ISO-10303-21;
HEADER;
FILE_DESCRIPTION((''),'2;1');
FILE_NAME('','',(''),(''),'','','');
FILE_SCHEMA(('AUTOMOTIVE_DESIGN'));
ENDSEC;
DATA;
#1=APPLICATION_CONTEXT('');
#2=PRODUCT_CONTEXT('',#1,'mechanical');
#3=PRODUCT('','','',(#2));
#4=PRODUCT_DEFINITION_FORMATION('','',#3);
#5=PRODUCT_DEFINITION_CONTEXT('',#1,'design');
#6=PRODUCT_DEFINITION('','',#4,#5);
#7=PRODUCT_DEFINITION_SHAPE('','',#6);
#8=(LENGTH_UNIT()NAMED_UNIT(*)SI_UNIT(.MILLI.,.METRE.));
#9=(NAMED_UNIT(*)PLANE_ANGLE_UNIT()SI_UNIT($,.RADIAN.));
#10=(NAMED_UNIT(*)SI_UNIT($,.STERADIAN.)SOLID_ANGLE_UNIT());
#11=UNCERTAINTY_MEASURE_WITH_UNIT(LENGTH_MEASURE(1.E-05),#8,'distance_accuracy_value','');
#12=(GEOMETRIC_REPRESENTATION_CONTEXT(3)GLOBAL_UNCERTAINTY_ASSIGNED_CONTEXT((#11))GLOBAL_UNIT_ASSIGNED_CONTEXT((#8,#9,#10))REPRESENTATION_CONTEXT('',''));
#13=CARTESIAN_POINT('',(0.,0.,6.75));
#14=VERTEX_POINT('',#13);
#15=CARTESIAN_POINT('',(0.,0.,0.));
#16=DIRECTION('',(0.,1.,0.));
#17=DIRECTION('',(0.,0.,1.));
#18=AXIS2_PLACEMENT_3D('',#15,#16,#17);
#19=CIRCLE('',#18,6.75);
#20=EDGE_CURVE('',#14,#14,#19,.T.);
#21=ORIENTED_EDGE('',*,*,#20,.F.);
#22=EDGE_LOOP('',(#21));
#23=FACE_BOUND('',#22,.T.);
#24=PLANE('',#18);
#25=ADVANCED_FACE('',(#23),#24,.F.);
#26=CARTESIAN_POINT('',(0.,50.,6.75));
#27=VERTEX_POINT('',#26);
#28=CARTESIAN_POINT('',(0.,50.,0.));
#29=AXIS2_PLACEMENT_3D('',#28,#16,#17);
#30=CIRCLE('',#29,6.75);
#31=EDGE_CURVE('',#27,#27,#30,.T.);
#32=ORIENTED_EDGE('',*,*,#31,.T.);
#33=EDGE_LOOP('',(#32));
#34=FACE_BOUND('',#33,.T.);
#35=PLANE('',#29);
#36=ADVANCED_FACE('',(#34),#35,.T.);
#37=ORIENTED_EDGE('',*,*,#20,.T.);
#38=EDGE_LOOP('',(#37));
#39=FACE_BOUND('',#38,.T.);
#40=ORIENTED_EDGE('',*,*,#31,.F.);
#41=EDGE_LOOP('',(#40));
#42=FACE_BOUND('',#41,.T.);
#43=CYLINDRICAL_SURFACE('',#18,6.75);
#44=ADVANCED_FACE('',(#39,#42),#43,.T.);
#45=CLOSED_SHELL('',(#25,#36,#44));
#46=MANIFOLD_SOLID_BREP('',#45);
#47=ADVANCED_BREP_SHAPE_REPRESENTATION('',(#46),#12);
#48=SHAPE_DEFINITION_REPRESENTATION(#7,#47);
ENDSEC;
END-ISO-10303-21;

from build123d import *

# Parameters (mm, degrees)
SKETCH2_R = 6.75


with BuildPart() as part:
    # Sweep1: sweep along a path in Sketch1
    with BuildLine(Plane.XY) as sweep1_path:
        Line((0, 0), (0, 50))
    # Sketch2 → Sweep1 (sweep)
    with BuildSketch(Plane(origin=(0, 0, 0), x_dir=(1, 0, 0), z_dir=(0, 1, 0))):
        Circle(SKETCH2_R)
    sweep(path=sweep1_path.line)


solid = part.part
